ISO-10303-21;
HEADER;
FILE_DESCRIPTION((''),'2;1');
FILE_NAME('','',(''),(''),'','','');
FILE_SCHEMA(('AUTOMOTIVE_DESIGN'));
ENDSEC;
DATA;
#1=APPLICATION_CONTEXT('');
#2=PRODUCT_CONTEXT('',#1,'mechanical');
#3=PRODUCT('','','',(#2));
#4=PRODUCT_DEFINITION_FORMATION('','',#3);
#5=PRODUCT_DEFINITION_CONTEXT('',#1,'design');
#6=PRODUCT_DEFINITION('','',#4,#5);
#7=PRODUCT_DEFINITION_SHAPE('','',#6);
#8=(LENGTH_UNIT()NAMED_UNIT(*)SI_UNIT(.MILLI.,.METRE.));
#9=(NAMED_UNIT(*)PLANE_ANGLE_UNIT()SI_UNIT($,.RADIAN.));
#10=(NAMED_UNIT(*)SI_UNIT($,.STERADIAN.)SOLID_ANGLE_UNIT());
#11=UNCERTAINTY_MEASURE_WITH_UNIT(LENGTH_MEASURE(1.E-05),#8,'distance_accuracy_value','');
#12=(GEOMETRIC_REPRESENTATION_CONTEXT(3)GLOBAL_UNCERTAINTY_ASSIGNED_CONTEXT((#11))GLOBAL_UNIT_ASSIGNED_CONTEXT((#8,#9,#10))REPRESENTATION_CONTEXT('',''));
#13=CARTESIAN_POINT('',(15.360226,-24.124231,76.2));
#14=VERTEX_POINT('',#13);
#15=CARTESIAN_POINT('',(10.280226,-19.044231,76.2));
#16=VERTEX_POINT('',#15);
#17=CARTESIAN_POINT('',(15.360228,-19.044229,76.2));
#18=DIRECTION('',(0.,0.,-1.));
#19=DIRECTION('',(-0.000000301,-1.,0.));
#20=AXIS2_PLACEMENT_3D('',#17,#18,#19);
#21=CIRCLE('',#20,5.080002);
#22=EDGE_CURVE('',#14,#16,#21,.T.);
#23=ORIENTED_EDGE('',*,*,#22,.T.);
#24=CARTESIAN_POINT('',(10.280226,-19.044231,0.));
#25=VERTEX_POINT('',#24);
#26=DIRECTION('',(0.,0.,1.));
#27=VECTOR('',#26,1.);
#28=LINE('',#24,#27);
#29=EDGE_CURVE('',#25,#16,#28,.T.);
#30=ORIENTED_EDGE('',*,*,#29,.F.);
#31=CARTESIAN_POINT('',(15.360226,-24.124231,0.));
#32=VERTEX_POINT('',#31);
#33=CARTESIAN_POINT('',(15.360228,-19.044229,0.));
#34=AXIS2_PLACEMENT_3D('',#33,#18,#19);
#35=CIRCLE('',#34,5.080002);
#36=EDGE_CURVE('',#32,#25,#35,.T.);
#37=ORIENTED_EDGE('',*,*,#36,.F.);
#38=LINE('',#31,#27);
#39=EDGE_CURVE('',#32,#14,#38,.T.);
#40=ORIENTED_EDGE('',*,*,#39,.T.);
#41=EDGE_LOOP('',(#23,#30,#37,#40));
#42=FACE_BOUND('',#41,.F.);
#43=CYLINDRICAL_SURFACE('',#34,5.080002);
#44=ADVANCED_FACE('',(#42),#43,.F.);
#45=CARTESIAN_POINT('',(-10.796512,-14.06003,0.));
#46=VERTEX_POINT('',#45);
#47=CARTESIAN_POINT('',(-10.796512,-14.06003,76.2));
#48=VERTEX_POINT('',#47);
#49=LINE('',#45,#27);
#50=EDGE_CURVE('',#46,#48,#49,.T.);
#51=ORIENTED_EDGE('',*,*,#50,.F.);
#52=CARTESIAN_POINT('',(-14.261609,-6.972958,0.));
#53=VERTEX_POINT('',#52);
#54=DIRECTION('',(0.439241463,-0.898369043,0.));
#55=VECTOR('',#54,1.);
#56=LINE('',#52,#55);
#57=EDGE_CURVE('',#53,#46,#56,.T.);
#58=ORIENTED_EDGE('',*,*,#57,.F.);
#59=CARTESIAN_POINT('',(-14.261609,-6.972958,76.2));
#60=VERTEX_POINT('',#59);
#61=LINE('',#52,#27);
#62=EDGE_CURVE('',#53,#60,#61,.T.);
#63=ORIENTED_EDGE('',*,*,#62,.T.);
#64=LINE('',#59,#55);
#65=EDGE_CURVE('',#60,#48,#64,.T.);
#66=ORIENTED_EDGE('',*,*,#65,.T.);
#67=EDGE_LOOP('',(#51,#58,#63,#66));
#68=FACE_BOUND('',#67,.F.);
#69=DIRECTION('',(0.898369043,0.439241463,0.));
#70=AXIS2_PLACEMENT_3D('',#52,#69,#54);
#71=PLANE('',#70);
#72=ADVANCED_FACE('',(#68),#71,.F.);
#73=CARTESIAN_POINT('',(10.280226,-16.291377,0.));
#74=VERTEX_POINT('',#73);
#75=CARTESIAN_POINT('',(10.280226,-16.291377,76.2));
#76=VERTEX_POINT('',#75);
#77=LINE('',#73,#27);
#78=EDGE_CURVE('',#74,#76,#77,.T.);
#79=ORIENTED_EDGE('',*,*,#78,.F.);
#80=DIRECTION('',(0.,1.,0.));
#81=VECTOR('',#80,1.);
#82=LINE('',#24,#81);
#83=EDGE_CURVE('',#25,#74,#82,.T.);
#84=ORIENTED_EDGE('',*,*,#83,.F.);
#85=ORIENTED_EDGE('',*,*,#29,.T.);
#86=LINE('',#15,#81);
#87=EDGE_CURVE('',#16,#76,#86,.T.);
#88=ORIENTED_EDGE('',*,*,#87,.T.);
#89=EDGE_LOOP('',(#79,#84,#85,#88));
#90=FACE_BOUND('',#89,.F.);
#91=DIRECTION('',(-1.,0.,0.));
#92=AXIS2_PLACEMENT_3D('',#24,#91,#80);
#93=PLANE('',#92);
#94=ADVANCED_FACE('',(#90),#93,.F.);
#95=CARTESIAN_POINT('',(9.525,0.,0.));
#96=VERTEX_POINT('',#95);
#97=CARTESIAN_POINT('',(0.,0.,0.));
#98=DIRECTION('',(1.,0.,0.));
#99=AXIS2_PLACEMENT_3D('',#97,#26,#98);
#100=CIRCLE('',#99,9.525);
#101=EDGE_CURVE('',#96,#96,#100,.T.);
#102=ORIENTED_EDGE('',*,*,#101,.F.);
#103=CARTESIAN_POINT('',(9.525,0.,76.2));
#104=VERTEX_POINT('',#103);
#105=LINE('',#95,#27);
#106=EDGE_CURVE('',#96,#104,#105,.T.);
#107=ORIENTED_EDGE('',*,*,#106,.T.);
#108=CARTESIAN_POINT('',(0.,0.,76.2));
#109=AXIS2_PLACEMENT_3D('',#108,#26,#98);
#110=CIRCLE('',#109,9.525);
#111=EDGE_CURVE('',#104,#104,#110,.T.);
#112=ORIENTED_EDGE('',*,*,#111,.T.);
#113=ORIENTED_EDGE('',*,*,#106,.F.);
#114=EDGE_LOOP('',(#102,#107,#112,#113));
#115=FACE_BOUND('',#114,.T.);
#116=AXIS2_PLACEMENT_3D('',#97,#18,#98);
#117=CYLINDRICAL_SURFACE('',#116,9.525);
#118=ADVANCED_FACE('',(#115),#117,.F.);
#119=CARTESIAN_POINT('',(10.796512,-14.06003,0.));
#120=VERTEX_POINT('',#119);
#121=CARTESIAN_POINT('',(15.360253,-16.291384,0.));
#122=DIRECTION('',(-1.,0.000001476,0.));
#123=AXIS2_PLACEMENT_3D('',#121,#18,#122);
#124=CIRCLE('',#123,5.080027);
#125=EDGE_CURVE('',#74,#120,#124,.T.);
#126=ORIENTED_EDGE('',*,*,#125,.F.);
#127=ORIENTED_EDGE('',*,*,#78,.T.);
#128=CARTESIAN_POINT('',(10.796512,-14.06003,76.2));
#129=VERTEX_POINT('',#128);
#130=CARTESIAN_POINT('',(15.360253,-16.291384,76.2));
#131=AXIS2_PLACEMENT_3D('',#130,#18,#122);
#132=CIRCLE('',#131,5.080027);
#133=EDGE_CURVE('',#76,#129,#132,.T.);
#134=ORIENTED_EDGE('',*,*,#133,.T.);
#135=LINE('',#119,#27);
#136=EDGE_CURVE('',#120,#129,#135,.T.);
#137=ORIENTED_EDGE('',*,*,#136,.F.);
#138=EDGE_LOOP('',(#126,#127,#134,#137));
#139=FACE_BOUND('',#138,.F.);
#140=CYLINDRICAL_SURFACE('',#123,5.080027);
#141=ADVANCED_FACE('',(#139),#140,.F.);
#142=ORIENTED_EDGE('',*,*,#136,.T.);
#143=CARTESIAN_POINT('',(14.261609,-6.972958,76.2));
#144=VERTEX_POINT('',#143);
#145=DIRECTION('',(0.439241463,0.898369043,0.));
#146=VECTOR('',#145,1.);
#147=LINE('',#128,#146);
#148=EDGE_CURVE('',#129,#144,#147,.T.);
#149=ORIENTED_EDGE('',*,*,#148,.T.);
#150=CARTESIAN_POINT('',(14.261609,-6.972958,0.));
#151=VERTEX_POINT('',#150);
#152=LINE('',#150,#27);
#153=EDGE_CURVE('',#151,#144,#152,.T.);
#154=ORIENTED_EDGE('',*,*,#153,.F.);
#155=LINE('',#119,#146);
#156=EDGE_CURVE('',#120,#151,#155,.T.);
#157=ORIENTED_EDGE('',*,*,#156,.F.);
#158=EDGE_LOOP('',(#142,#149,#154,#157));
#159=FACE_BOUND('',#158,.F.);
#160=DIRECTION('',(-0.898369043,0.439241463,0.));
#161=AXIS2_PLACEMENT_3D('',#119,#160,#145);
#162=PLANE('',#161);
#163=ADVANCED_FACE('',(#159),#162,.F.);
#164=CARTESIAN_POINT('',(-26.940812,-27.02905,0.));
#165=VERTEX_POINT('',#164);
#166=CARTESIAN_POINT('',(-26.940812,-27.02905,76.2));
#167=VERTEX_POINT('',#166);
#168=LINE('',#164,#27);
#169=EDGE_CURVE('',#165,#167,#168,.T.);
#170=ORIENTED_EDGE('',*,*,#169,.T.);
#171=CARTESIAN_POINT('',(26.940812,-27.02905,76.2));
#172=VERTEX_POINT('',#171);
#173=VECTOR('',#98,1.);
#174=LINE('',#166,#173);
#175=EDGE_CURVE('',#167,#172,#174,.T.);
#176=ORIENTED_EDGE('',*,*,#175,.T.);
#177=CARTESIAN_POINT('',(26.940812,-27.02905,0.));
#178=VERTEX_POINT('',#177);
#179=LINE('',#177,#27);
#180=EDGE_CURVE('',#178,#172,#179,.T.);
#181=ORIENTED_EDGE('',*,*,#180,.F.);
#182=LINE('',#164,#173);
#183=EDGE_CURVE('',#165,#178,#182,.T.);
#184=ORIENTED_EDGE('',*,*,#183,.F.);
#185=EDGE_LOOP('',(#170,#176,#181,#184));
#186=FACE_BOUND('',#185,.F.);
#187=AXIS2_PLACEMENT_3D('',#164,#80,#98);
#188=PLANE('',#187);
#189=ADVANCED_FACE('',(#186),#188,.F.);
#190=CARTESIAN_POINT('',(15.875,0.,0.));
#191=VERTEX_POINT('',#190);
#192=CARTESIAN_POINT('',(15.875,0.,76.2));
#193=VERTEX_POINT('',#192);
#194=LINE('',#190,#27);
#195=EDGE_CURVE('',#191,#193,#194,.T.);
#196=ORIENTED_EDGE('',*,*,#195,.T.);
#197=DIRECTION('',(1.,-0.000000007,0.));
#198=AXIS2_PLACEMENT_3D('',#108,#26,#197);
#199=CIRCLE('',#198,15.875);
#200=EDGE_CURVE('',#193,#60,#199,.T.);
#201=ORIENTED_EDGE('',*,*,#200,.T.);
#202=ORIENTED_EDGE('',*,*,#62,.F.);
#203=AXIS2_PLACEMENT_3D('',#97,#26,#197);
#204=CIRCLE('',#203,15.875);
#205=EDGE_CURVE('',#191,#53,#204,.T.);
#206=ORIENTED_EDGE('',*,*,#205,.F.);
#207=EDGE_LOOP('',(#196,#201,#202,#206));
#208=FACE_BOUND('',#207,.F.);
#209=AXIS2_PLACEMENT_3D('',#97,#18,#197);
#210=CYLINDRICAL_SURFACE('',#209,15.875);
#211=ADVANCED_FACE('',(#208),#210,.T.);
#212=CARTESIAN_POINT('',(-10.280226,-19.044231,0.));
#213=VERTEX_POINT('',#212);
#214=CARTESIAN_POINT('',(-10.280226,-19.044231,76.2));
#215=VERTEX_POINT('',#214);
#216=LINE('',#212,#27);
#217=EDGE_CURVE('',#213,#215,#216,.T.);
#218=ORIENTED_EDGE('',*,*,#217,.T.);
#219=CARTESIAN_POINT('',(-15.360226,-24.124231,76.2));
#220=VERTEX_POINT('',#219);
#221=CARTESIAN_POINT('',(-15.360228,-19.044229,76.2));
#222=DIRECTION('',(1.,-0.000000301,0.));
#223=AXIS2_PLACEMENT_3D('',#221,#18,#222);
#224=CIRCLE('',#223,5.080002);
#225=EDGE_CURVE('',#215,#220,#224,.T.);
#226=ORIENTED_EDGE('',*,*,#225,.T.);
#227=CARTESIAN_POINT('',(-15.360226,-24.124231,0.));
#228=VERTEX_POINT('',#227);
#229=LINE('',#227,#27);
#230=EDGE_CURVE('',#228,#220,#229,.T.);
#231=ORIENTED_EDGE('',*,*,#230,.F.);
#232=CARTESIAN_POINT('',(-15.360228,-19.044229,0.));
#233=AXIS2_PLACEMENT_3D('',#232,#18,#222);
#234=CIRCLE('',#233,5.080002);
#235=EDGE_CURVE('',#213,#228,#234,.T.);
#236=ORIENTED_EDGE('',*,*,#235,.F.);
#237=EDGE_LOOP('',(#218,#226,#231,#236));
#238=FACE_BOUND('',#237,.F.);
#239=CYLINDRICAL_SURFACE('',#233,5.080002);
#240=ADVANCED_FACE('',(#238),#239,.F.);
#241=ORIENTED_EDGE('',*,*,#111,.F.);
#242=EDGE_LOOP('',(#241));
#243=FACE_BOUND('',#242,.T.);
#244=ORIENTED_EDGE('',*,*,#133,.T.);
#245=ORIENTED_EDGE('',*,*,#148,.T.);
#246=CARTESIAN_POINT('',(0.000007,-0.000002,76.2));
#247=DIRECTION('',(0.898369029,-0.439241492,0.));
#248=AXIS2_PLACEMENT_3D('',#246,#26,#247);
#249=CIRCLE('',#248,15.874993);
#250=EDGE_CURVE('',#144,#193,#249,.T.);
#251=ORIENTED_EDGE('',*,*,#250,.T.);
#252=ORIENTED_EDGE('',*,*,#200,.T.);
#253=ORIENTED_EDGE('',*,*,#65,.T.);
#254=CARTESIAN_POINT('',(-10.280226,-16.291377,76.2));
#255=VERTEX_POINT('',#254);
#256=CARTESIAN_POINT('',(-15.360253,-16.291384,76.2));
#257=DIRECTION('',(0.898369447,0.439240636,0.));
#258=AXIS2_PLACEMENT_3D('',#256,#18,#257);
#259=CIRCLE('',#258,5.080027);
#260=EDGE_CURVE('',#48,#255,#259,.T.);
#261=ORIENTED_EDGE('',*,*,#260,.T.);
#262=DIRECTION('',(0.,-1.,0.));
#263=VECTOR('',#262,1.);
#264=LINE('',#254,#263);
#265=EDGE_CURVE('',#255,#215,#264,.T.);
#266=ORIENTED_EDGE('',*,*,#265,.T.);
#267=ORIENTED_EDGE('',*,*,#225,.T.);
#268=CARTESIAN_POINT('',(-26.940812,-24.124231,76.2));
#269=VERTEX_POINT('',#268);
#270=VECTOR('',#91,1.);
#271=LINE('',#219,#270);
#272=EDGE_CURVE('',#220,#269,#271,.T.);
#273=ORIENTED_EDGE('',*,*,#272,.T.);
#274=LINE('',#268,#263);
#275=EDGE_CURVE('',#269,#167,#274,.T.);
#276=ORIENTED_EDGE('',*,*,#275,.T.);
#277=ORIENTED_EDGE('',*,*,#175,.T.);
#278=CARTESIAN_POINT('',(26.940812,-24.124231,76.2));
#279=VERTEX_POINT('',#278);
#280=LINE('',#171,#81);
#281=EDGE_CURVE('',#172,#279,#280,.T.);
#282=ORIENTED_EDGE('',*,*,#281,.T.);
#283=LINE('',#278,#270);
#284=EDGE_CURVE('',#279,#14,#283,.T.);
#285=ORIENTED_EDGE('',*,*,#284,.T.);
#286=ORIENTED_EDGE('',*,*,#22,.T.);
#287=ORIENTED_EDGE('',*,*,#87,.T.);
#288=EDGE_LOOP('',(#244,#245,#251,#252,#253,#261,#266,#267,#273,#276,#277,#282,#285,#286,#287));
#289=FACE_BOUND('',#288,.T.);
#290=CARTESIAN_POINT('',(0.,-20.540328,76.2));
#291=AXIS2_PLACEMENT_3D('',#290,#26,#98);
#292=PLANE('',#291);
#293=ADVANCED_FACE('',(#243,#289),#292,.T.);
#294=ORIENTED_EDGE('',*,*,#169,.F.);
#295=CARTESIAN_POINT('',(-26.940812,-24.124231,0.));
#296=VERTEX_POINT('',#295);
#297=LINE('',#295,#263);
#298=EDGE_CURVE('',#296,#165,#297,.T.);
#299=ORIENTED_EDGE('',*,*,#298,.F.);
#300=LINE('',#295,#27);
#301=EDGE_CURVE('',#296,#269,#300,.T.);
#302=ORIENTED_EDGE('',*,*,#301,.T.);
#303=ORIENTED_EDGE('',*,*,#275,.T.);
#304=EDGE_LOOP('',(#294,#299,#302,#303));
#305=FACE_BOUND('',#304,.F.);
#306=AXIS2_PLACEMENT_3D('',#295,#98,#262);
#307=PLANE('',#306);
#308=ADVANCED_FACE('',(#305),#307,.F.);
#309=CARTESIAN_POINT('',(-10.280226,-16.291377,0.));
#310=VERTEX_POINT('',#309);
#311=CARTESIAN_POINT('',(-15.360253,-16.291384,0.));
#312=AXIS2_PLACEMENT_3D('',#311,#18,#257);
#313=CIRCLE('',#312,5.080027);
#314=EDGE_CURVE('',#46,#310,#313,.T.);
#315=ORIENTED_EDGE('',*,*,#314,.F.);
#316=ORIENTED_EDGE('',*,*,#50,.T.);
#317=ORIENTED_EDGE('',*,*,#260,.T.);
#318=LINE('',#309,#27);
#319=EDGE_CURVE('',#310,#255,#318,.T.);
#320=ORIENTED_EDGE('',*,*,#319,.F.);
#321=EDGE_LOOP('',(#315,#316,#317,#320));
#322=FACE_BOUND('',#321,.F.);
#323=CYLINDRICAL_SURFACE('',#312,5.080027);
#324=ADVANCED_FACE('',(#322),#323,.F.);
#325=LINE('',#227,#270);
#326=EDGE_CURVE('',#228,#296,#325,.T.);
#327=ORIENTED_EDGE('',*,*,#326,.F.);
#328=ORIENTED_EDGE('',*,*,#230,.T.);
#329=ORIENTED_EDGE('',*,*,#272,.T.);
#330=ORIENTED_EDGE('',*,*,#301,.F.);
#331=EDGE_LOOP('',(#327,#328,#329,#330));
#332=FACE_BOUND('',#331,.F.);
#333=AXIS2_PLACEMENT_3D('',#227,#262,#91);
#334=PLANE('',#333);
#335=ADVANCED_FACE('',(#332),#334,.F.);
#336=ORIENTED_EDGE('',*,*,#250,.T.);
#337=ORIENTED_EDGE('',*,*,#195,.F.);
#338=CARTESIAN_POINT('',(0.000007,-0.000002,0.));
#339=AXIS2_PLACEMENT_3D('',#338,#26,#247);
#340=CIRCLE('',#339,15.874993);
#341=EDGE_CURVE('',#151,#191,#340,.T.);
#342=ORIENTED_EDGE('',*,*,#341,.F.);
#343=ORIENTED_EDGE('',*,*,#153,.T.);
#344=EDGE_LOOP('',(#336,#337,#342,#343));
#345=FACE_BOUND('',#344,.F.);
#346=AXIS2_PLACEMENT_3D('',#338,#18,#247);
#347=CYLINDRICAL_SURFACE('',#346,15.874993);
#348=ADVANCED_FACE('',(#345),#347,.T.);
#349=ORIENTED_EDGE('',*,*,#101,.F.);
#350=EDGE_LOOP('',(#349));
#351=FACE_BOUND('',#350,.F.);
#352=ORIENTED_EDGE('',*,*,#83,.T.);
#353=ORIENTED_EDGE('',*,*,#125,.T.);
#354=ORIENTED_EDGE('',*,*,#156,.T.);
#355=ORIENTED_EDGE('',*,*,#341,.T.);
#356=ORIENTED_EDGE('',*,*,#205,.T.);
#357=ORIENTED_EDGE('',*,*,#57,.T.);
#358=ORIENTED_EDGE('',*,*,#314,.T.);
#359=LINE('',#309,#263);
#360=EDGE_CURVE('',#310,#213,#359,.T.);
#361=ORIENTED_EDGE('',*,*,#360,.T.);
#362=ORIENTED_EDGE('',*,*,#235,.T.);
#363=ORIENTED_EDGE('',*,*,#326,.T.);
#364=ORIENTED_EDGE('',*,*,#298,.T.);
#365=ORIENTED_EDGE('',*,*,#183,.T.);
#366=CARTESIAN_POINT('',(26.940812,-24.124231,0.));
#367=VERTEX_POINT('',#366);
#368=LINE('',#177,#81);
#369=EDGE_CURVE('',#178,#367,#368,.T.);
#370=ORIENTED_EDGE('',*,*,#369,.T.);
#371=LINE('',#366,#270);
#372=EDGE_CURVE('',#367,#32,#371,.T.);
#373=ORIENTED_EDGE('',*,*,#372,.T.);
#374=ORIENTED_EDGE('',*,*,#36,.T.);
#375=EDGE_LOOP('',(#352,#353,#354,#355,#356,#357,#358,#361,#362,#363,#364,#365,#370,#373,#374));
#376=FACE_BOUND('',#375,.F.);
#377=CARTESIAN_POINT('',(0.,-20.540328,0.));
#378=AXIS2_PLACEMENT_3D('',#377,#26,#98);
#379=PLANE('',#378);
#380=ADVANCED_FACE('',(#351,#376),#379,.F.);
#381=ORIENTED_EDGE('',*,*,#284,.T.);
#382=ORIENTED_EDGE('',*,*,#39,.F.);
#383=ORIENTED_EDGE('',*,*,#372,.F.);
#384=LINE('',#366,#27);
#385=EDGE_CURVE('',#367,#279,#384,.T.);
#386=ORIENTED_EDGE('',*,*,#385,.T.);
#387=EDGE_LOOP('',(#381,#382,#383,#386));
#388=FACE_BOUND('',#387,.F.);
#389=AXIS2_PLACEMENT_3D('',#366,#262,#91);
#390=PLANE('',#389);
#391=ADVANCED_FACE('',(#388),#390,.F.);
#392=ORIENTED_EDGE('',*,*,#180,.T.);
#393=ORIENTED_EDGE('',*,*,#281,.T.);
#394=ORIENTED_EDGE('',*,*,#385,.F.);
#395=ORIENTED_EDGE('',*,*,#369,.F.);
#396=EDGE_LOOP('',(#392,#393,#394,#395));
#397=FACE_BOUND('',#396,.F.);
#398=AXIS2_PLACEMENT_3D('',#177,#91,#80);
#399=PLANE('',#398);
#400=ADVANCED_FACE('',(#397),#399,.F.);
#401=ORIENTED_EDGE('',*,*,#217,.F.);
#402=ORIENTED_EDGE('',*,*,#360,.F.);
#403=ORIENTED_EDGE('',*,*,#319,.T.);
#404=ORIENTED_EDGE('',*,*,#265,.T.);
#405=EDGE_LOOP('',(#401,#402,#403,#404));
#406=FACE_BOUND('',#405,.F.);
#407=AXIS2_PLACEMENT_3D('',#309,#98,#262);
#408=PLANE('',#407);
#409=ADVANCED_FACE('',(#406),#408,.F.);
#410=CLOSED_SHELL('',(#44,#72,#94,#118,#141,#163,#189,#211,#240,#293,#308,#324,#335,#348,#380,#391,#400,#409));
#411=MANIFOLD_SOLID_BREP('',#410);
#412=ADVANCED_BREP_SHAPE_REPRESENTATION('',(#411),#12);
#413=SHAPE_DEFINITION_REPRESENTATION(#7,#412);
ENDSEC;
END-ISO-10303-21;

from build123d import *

# Parameters (mm, degrees)
F0_R     = 9.525
F1_DEPTH = 76.2


with BuildPart() as f1:
    # F0 (on Top) → F1 (new body)
    with BuildSketch(Plane.XY):
        with BuildLine():
            ThreePointArc((14.261609, -6.972958), (0, -15.875), (-14.261609, -6.972958))
            Line((-14.261609, -6.972958), (-10.796512, -14.06003))
            ThreePointArc((-10.796512, -14.06003), (-10.410981, -15.146229), (-10.280226, -16.291377))
            Line((-10.280226, -16.291377), (-10.280226, -19.044231))
            ThreePointArc((-10.280226, -19.044231), (-11.768124, -22.636333), (-15.360226, -24.124231))
            Line((-15.360226, -24.124231), (-26.940812, -24.124231))
            Line((-26.940812, -24.124231), (-26.940812, -27.02905))
            Line((-26.940812, -27.02905), (26.940812, -27.02905))
            Line((26.940812, -27.02905), (26.940812, -24.124231))
            Line((26.940812, -24.124231), (15.360226, -24.124231))
            ThreePointArc((15.360226, -24.124231), (11.768124, -22.636333), (10.280226, -19.044231))
            Line((10.280226, -19.044231), (10.280226, -16.291377))
            ThreePointArc((10.280226, -16.291377), (10.410981, -15.146229), (10.796512, -14.06003))
            Line((10.796512, -14.06003), (14.261609, -6.972958))
        make_face()
        with BuildLine():
            ThreePointArc((14.261609, -6.972958), (15.466394, -3.578588), (15.875, 0))
            ThreePointArc((15.875, 0), (-3.578588, 15.466394), (-14.261609, -6.972958))
            ThreePointArc((-14.261609, -6.972958), (0, -15.875), (14.261609, -6.972958))
        make_face()
        Circle(F0_R, mode=Mode.SUBTRACT)
    extrude(amount=F1_DEPTH)


solid = f1.part
